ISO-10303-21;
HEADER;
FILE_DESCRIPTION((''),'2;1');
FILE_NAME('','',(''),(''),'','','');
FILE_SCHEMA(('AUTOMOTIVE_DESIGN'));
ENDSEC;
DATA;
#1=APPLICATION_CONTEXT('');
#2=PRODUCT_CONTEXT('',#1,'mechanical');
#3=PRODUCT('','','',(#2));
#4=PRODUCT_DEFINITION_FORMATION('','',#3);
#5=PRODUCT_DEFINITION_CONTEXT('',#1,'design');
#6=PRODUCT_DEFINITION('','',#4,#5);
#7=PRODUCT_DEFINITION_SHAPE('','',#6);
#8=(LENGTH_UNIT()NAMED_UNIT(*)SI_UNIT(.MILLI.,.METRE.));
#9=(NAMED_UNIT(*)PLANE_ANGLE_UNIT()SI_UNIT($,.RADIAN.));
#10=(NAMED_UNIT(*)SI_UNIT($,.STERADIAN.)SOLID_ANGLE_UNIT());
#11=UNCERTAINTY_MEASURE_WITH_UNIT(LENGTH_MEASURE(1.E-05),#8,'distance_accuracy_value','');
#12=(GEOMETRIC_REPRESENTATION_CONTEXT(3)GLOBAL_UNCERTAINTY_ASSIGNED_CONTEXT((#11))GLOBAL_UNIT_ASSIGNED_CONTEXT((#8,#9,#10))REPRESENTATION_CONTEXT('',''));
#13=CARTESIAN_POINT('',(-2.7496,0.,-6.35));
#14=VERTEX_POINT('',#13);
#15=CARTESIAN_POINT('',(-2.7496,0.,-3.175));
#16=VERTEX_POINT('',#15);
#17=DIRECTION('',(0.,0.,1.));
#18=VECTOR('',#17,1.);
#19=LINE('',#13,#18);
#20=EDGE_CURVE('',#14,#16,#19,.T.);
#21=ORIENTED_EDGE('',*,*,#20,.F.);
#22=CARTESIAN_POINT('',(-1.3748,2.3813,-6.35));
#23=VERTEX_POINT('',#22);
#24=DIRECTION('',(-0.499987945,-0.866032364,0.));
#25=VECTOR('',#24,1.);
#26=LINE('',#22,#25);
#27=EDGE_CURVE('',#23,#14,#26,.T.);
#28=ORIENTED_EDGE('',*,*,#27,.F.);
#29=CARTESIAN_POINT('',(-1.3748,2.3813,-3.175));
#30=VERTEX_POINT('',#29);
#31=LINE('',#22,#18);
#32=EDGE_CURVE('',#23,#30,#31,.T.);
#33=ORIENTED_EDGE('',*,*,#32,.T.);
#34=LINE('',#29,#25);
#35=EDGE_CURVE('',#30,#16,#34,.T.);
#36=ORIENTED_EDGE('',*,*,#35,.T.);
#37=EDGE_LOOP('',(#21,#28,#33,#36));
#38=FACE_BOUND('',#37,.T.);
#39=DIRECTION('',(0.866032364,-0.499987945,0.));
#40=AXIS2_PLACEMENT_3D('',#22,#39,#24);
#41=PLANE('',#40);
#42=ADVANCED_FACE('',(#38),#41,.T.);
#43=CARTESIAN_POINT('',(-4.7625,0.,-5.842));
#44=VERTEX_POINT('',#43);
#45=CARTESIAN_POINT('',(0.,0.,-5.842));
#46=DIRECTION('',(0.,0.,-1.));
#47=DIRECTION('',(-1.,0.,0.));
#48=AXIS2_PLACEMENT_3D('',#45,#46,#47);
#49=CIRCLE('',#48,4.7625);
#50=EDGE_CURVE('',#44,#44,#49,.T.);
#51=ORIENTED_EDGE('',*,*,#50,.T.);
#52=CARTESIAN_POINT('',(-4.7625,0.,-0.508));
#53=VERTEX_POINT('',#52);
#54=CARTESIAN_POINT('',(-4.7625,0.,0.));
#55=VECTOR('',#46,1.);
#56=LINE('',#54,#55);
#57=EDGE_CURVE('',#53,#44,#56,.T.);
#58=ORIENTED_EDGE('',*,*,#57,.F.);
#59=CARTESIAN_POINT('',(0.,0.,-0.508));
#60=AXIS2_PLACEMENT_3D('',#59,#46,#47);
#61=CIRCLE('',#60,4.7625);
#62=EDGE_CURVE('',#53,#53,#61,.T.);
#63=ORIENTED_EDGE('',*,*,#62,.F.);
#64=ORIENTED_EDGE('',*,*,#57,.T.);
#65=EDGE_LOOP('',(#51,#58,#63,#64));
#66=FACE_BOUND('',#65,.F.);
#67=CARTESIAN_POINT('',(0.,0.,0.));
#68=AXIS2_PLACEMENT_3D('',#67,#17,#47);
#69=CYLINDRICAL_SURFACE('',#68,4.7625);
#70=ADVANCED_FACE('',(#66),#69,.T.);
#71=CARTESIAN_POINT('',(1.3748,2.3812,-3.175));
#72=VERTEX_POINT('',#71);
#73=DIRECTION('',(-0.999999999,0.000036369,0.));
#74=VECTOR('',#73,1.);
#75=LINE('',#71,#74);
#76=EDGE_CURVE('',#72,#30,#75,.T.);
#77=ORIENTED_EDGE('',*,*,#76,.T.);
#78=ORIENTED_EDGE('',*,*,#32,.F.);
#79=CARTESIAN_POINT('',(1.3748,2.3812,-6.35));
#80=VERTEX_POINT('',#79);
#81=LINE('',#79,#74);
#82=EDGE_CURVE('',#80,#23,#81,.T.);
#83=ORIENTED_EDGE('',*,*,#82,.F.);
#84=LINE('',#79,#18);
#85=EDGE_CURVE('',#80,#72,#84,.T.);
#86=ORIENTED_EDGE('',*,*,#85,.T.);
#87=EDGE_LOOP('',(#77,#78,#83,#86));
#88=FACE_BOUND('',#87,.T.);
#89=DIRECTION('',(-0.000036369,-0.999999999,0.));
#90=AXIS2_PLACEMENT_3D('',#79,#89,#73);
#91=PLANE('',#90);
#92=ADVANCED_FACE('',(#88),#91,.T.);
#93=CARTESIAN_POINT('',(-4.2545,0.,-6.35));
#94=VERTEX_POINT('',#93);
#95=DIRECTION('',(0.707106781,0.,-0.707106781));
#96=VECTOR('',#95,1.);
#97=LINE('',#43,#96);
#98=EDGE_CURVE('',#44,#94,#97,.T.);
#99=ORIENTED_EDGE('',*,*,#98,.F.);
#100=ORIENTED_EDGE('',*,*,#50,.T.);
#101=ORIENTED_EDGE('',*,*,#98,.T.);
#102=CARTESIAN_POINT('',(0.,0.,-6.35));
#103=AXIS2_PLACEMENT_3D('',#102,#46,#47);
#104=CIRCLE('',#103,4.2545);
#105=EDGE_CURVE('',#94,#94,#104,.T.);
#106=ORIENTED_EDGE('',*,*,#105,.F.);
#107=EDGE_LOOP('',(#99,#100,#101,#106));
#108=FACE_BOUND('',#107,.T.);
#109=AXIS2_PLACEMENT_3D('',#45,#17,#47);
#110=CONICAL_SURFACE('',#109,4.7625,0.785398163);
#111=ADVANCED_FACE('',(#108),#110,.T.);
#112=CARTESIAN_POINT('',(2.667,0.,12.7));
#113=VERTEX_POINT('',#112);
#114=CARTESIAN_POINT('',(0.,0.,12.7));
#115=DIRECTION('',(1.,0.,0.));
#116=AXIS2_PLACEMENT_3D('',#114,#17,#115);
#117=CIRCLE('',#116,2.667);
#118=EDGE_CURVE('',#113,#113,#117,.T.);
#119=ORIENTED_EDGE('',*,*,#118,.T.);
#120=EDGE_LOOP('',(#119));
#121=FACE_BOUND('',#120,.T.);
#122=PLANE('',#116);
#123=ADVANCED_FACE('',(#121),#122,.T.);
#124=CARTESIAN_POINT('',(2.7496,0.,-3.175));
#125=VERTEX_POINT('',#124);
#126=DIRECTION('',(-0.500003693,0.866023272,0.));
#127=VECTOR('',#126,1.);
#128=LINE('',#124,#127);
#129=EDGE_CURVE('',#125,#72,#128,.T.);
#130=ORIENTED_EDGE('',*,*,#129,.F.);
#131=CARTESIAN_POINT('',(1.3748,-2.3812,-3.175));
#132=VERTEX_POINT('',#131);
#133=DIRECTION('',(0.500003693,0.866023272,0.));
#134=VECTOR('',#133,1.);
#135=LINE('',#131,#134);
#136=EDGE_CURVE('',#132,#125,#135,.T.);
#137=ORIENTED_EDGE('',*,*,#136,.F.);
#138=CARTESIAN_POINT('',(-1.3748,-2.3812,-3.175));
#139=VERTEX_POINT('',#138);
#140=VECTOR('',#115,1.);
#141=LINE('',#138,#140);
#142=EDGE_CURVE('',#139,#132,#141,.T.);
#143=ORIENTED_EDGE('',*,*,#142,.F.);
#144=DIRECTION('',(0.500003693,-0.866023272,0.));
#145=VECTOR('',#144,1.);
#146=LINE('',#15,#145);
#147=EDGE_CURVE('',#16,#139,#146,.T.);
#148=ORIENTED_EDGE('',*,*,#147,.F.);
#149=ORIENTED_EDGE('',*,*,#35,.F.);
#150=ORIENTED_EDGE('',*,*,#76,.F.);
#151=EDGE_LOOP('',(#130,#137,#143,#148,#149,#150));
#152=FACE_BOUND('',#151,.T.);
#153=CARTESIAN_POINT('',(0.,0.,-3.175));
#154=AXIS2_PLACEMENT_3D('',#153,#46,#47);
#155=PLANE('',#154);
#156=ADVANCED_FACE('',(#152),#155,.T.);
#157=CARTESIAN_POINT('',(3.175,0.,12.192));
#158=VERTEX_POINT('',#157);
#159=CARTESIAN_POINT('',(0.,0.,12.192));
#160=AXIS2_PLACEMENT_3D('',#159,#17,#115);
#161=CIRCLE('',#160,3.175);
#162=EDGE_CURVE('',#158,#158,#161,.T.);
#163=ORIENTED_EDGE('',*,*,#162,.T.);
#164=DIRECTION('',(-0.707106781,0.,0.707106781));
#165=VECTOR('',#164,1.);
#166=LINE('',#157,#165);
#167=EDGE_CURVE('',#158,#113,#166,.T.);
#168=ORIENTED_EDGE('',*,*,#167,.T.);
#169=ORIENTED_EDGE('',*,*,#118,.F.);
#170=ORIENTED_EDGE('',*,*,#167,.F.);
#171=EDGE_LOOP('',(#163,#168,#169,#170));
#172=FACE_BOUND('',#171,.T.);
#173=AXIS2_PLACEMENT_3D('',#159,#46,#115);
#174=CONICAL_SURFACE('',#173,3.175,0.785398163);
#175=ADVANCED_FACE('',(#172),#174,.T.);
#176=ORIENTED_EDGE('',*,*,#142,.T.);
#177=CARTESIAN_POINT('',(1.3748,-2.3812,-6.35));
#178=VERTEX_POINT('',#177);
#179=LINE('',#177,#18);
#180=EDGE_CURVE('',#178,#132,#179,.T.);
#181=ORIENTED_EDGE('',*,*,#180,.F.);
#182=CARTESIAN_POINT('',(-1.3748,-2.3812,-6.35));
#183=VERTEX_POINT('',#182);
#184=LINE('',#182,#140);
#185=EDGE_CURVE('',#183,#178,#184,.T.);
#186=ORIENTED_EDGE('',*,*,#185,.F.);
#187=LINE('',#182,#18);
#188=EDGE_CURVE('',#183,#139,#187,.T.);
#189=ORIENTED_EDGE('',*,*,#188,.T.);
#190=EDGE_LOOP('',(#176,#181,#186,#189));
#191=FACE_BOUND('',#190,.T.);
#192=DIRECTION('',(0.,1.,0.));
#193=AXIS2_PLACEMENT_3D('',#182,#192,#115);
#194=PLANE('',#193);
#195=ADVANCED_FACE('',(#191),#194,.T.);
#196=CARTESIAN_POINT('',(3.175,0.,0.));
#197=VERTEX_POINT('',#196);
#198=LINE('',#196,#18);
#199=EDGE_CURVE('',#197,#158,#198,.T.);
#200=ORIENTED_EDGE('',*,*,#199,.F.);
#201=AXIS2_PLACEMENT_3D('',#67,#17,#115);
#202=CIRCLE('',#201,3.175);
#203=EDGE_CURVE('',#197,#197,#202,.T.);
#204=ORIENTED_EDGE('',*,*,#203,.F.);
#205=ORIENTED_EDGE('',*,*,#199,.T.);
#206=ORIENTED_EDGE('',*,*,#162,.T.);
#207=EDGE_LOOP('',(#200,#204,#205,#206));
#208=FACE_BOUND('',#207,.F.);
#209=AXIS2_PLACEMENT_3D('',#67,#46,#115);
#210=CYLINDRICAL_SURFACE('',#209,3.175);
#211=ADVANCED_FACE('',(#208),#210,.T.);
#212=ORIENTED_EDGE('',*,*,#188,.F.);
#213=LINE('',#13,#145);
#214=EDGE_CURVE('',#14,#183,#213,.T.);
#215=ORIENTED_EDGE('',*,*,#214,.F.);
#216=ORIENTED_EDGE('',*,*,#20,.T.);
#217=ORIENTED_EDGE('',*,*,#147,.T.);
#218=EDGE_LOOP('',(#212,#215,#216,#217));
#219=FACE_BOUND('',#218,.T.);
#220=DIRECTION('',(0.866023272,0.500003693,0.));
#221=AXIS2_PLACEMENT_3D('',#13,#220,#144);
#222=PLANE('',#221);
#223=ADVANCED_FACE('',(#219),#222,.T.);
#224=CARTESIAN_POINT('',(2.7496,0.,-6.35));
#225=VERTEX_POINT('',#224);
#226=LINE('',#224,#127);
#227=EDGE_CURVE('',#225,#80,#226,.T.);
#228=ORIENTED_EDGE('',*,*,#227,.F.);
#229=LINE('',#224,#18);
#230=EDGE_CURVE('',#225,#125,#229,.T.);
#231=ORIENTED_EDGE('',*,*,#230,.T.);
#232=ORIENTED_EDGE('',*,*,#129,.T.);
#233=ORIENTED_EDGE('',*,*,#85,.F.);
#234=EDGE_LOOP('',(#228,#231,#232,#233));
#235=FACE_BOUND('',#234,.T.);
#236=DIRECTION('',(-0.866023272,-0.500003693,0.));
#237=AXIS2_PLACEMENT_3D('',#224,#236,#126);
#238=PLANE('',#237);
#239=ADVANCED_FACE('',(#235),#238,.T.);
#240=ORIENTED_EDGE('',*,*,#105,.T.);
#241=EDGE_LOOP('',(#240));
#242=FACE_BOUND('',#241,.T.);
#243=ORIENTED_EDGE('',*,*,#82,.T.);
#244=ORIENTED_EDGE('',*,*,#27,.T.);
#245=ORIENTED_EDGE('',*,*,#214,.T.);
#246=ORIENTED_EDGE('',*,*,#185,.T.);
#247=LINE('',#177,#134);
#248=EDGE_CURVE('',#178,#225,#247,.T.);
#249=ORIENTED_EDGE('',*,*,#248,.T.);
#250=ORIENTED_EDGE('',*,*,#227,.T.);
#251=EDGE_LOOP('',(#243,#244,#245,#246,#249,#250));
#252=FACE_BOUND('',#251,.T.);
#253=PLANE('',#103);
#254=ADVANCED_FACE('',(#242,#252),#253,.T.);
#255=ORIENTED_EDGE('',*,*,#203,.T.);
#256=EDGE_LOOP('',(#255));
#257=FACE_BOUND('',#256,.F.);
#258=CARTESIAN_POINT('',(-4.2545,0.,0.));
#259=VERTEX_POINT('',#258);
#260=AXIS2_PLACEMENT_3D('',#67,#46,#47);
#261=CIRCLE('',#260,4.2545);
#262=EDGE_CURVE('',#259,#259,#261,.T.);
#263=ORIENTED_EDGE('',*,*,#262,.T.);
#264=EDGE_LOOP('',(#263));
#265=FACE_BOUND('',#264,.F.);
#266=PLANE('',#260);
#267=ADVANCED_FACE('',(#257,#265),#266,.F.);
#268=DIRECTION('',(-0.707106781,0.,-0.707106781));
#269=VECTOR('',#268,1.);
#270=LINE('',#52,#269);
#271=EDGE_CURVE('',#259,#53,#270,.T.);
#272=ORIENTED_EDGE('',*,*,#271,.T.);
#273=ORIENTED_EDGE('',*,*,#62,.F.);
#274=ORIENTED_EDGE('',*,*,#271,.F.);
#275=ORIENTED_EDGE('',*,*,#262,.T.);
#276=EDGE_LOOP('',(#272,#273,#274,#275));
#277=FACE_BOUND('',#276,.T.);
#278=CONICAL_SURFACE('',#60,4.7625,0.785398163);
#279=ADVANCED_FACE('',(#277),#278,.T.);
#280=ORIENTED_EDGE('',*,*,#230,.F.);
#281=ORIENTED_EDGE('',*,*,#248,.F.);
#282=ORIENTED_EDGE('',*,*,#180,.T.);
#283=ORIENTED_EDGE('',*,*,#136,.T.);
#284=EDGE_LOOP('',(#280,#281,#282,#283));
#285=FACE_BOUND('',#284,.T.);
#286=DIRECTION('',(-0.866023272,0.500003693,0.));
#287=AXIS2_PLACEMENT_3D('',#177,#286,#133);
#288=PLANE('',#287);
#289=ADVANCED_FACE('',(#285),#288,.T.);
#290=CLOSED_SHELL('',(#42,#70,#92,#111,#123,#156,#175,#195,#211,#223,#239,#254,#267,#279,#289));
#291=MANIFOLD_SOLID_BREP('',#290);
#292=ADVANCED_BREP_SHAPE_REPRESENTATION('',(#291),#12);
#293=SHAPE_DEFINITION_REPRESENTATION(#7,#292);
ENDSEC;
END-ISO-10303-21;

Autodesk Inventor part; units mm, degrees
ref_plane "YZ Plane" through (0, 0, 0) normal (1, 0, 0) x (0, 1, 0)
ref_plane "XZ Plane" through (0, 0, 0) normal (0, 1, 0) x (-1, 0, 0)
ref_plane "XY Plane" through (0, 0, 0) normal (0, 0, 1) x (1, 0, 0)
sketch "Sketch1" plane through (0, 0, 0) normal (0, 0, 1) x (1, 0, 0)
  circle A0 centre (0, 0) radius 3.175
  dimension "d0" = 6.35
extrude "Extrusion1" add sketch "Sketch1" along normal blind 12.7
sketch "Sketch2" plane through (0, 0, 0) normal (0, 0, -1) x (-1, 0, 0)
  circle A0 centre (0, 0) radius 3.175 projected
  circle A1 centre (0, 0) radius 4.7625
  dimension "d3" = 9.525
extrude "Extrusion2" add sketch "Sketch2" along normal blind 6.35 contours A0 | A1
sketch "Sketch3" plane through (0, 0, -6.35) normal (0, 0, -1) x (-1, 0, 0)
  circle A0 centre (0, 0) radius 4.7625 projected
  line L0 (-1.3748, 2.3812) -> (1.3748, 2.3813)
  line L1 (1.3748, 2.3813) -> (2.7496, 0)
  line L2 (2.7496, 0) -> (1.3748, -2.3812)
  line L3 (1.3748, -2.3812) -> (-1.3748, -2.3812)
  line L4 (-1.3748, -2.3812) -> (-2.7496, 0)
  line L5 (-2.7496, 0) -> (-1.3748, 2.3812)
  dimension "d6" = 4.7625
extrude "Extrusion3" cut sketch "Sketch3" against normal blind 3.175 contours L0 L1 L2 L3 L4 L5
chamfer "Chamfer1" distance 0.508 angle 45 3 edges at (-3.175, 0, 12.7) (4.7625, 0, 0) (4.7625, 0, -6.35)
thread "Thread1" size "1/4-20 UNC" class "2A" standard "ANSI Unified Screw Threads" full length
properties part number "14-20 x750" material "Steel"
